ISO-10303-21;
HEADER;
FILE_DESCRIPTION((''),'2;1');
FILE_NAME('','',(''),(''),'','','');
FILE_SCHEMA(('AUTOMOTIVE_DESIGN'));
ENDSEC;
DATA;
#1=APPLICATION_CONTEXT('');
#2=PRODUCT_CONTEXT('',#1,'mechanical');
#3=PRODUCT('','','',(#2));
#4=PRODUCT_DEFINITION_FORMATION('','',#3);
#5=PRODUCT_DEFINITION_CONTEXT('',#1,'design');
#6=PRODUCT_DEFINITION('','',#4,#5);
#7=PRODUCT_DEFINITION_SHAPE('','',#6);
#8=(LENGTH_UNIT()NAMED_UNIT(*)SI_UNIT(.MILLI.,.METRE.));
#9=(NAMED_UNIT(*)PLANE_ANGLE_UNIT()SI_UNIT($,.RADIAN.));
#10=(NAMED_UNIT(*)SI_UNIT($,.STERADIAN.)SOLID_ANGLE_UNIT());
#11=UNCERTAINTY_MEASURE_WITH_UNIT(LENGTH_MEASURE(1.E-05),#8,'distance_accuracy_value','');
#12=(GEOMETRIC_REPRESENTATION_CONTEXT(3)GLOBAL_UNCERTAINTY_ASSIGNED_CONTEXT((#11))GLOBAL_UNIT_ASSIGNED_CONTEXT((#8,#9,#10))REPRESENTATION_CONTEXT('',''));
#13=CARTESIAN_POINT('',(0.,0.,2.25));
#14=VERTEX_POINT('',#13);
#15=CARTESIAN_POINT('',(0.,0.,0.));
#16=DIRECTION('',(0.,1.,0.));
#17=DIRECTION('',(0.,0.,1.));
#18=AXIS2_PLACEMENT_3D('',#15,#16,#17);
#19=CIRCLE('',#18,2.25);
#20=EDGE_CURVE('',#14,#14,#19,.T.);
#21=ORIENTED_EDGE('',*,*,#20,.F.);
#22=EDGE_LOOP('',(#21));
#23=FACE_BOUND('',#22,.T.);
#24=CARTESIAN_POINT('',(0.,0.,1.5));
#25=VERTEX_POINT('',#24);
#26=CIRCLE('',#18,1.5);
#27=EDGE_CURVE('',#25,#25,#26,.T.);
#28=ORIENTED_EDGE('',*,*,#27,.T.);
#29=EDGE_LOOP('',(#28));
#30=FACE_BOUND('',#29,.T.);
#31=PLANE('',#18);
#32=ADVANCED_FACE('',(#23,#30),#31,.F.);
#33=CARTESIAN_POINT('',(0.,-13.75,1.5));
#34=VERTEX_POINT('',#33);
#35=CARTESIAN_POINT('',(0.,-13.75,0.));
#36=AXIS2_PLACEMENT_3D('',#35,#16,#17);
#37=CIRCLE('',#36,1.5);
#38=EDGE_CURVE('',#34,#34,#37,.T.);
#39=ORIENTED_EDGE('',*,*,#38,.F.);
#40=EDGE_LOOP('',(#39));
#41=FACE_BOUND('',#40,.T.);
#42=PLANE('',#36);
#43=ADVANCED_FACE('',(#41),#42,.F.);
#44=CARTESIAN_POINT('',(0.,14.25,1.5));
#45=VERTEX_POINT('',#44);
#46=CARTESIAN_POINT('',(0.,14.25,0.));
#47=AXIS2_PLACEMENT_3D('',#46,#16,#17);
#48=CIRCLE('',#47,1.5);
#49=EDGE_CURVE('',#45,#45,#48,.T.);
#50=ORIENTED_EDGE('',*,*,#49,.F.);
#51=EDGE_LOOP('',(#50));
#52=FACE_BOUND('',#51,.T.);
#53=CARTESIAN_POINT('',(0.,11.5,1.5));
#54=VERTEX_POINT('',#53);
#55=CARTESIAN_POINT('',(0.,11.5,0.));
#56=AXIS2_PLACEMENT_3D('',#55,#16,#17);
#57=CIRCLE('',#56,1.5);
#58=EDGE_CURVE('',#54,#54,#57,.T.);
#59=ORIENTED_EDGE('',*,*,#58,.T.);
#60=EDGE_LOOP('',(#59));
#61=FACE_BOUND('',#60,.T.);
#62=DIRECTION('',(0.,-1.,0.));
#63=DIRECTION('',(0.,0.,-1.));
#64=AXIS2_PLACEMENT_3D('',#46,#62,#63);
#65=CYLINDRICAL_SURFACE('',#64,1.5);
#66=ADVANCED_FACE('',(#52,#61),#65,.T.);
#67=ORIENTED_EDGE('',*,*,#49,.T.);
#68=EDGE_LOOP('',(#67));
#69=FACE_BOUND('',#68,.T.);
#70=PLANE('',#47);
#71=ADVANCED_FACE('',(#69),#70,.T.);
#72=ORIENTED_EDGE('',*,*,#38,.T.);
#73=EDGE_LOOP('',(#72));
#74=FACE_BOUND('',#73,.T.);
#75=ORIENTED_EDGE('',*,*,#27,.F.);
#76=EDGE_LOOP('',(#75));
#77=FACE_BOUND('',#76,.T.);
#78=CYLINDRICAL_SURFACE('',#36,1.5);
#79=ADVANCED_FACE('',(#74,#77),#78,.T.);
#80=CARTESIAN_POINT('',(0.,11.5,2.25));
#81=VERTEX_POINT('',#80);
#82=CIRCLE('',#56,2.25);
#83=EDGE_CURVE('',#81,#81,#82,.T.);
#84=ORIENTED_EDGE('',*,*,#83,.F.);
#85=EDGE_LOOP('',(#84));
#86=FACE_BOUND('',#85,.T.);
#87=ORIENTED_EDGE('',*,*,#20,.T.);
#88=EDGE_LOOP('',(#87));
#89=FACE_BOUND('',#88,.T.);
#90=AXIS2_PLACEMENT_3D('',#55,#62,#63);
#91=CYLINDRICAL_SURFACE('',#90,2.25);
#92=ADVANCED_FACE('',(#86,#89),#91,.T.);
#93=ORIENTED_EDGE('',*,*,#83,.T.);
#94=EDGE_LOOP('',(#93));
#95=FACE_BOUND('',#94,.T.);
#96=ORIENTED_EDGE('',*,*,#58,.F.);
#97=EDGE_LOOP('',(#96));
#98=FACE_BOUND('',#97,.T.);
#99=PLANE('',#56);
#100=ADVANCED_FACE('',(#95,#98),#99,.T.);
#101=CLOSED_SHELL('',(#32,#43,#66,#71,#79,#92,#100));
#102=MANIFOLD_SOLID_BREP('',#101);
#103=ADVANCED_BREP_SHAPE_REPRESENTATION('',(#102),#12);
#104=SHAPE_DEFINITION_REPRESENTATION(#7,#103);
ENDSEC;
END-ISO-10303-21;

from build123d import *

# Parameters (mm, degrees)
SKETCH1_R           = 1.5
BOSS_EXTRUDE1_DEPTH = 13.75
SKETCH2_R           = 2.25
BOSS_EXTRUDE2_DEPTH = 11.5
BOSS_EXTRUDE3_START = 2.75
SKETCH3_R           = 1.5
BOSS_EXTRUDE3_DEPTH = 2.75


with BuildPart() as part:
    # Sketch1 → Boss-Extrude1 (new body)
    with BuildSketch(Plane(origin=(0, 0, 0), x_dir=(1, 0, 0), z_dir=(0, 1, 0))):
        with Locations(Location((0, 0, 0), (0, 0, 270))):
            Circle(SKETCH1_R)
    extrude(amount=-BOSS_EXTRUDE1_DEPTH)

    # Sketch2 → Boss-Extrude2 (add)
    with BuildSketch(Plane(origin=(0, 0, 0), x_dir=(1, 0, 0), z_dir=(0, 1, 0))):
        with Locations(Location((0, 0, 0), (0, 0, 270))):
            Circle(SKETCH2_R)
    extrude(amount=BOSS_EXTRUDE2_DEPTH)

    # Sketch3 → Boss-Extrude3 (add)
    with BuildSketch(Plane(origin=(0, 11.5, 0), x_dir=(1, 0, 0), z_dir=(0, 1, 0)).offset(BOSS_EXTRUDE3_START)):
        with Locations(Location((0, 0, 0), (0, 0, 270))):
            Circle(SKETCH3_R)
    extrude(amount=-BOSS_EXTRUDE3_DEPTH)


solid = part.part
